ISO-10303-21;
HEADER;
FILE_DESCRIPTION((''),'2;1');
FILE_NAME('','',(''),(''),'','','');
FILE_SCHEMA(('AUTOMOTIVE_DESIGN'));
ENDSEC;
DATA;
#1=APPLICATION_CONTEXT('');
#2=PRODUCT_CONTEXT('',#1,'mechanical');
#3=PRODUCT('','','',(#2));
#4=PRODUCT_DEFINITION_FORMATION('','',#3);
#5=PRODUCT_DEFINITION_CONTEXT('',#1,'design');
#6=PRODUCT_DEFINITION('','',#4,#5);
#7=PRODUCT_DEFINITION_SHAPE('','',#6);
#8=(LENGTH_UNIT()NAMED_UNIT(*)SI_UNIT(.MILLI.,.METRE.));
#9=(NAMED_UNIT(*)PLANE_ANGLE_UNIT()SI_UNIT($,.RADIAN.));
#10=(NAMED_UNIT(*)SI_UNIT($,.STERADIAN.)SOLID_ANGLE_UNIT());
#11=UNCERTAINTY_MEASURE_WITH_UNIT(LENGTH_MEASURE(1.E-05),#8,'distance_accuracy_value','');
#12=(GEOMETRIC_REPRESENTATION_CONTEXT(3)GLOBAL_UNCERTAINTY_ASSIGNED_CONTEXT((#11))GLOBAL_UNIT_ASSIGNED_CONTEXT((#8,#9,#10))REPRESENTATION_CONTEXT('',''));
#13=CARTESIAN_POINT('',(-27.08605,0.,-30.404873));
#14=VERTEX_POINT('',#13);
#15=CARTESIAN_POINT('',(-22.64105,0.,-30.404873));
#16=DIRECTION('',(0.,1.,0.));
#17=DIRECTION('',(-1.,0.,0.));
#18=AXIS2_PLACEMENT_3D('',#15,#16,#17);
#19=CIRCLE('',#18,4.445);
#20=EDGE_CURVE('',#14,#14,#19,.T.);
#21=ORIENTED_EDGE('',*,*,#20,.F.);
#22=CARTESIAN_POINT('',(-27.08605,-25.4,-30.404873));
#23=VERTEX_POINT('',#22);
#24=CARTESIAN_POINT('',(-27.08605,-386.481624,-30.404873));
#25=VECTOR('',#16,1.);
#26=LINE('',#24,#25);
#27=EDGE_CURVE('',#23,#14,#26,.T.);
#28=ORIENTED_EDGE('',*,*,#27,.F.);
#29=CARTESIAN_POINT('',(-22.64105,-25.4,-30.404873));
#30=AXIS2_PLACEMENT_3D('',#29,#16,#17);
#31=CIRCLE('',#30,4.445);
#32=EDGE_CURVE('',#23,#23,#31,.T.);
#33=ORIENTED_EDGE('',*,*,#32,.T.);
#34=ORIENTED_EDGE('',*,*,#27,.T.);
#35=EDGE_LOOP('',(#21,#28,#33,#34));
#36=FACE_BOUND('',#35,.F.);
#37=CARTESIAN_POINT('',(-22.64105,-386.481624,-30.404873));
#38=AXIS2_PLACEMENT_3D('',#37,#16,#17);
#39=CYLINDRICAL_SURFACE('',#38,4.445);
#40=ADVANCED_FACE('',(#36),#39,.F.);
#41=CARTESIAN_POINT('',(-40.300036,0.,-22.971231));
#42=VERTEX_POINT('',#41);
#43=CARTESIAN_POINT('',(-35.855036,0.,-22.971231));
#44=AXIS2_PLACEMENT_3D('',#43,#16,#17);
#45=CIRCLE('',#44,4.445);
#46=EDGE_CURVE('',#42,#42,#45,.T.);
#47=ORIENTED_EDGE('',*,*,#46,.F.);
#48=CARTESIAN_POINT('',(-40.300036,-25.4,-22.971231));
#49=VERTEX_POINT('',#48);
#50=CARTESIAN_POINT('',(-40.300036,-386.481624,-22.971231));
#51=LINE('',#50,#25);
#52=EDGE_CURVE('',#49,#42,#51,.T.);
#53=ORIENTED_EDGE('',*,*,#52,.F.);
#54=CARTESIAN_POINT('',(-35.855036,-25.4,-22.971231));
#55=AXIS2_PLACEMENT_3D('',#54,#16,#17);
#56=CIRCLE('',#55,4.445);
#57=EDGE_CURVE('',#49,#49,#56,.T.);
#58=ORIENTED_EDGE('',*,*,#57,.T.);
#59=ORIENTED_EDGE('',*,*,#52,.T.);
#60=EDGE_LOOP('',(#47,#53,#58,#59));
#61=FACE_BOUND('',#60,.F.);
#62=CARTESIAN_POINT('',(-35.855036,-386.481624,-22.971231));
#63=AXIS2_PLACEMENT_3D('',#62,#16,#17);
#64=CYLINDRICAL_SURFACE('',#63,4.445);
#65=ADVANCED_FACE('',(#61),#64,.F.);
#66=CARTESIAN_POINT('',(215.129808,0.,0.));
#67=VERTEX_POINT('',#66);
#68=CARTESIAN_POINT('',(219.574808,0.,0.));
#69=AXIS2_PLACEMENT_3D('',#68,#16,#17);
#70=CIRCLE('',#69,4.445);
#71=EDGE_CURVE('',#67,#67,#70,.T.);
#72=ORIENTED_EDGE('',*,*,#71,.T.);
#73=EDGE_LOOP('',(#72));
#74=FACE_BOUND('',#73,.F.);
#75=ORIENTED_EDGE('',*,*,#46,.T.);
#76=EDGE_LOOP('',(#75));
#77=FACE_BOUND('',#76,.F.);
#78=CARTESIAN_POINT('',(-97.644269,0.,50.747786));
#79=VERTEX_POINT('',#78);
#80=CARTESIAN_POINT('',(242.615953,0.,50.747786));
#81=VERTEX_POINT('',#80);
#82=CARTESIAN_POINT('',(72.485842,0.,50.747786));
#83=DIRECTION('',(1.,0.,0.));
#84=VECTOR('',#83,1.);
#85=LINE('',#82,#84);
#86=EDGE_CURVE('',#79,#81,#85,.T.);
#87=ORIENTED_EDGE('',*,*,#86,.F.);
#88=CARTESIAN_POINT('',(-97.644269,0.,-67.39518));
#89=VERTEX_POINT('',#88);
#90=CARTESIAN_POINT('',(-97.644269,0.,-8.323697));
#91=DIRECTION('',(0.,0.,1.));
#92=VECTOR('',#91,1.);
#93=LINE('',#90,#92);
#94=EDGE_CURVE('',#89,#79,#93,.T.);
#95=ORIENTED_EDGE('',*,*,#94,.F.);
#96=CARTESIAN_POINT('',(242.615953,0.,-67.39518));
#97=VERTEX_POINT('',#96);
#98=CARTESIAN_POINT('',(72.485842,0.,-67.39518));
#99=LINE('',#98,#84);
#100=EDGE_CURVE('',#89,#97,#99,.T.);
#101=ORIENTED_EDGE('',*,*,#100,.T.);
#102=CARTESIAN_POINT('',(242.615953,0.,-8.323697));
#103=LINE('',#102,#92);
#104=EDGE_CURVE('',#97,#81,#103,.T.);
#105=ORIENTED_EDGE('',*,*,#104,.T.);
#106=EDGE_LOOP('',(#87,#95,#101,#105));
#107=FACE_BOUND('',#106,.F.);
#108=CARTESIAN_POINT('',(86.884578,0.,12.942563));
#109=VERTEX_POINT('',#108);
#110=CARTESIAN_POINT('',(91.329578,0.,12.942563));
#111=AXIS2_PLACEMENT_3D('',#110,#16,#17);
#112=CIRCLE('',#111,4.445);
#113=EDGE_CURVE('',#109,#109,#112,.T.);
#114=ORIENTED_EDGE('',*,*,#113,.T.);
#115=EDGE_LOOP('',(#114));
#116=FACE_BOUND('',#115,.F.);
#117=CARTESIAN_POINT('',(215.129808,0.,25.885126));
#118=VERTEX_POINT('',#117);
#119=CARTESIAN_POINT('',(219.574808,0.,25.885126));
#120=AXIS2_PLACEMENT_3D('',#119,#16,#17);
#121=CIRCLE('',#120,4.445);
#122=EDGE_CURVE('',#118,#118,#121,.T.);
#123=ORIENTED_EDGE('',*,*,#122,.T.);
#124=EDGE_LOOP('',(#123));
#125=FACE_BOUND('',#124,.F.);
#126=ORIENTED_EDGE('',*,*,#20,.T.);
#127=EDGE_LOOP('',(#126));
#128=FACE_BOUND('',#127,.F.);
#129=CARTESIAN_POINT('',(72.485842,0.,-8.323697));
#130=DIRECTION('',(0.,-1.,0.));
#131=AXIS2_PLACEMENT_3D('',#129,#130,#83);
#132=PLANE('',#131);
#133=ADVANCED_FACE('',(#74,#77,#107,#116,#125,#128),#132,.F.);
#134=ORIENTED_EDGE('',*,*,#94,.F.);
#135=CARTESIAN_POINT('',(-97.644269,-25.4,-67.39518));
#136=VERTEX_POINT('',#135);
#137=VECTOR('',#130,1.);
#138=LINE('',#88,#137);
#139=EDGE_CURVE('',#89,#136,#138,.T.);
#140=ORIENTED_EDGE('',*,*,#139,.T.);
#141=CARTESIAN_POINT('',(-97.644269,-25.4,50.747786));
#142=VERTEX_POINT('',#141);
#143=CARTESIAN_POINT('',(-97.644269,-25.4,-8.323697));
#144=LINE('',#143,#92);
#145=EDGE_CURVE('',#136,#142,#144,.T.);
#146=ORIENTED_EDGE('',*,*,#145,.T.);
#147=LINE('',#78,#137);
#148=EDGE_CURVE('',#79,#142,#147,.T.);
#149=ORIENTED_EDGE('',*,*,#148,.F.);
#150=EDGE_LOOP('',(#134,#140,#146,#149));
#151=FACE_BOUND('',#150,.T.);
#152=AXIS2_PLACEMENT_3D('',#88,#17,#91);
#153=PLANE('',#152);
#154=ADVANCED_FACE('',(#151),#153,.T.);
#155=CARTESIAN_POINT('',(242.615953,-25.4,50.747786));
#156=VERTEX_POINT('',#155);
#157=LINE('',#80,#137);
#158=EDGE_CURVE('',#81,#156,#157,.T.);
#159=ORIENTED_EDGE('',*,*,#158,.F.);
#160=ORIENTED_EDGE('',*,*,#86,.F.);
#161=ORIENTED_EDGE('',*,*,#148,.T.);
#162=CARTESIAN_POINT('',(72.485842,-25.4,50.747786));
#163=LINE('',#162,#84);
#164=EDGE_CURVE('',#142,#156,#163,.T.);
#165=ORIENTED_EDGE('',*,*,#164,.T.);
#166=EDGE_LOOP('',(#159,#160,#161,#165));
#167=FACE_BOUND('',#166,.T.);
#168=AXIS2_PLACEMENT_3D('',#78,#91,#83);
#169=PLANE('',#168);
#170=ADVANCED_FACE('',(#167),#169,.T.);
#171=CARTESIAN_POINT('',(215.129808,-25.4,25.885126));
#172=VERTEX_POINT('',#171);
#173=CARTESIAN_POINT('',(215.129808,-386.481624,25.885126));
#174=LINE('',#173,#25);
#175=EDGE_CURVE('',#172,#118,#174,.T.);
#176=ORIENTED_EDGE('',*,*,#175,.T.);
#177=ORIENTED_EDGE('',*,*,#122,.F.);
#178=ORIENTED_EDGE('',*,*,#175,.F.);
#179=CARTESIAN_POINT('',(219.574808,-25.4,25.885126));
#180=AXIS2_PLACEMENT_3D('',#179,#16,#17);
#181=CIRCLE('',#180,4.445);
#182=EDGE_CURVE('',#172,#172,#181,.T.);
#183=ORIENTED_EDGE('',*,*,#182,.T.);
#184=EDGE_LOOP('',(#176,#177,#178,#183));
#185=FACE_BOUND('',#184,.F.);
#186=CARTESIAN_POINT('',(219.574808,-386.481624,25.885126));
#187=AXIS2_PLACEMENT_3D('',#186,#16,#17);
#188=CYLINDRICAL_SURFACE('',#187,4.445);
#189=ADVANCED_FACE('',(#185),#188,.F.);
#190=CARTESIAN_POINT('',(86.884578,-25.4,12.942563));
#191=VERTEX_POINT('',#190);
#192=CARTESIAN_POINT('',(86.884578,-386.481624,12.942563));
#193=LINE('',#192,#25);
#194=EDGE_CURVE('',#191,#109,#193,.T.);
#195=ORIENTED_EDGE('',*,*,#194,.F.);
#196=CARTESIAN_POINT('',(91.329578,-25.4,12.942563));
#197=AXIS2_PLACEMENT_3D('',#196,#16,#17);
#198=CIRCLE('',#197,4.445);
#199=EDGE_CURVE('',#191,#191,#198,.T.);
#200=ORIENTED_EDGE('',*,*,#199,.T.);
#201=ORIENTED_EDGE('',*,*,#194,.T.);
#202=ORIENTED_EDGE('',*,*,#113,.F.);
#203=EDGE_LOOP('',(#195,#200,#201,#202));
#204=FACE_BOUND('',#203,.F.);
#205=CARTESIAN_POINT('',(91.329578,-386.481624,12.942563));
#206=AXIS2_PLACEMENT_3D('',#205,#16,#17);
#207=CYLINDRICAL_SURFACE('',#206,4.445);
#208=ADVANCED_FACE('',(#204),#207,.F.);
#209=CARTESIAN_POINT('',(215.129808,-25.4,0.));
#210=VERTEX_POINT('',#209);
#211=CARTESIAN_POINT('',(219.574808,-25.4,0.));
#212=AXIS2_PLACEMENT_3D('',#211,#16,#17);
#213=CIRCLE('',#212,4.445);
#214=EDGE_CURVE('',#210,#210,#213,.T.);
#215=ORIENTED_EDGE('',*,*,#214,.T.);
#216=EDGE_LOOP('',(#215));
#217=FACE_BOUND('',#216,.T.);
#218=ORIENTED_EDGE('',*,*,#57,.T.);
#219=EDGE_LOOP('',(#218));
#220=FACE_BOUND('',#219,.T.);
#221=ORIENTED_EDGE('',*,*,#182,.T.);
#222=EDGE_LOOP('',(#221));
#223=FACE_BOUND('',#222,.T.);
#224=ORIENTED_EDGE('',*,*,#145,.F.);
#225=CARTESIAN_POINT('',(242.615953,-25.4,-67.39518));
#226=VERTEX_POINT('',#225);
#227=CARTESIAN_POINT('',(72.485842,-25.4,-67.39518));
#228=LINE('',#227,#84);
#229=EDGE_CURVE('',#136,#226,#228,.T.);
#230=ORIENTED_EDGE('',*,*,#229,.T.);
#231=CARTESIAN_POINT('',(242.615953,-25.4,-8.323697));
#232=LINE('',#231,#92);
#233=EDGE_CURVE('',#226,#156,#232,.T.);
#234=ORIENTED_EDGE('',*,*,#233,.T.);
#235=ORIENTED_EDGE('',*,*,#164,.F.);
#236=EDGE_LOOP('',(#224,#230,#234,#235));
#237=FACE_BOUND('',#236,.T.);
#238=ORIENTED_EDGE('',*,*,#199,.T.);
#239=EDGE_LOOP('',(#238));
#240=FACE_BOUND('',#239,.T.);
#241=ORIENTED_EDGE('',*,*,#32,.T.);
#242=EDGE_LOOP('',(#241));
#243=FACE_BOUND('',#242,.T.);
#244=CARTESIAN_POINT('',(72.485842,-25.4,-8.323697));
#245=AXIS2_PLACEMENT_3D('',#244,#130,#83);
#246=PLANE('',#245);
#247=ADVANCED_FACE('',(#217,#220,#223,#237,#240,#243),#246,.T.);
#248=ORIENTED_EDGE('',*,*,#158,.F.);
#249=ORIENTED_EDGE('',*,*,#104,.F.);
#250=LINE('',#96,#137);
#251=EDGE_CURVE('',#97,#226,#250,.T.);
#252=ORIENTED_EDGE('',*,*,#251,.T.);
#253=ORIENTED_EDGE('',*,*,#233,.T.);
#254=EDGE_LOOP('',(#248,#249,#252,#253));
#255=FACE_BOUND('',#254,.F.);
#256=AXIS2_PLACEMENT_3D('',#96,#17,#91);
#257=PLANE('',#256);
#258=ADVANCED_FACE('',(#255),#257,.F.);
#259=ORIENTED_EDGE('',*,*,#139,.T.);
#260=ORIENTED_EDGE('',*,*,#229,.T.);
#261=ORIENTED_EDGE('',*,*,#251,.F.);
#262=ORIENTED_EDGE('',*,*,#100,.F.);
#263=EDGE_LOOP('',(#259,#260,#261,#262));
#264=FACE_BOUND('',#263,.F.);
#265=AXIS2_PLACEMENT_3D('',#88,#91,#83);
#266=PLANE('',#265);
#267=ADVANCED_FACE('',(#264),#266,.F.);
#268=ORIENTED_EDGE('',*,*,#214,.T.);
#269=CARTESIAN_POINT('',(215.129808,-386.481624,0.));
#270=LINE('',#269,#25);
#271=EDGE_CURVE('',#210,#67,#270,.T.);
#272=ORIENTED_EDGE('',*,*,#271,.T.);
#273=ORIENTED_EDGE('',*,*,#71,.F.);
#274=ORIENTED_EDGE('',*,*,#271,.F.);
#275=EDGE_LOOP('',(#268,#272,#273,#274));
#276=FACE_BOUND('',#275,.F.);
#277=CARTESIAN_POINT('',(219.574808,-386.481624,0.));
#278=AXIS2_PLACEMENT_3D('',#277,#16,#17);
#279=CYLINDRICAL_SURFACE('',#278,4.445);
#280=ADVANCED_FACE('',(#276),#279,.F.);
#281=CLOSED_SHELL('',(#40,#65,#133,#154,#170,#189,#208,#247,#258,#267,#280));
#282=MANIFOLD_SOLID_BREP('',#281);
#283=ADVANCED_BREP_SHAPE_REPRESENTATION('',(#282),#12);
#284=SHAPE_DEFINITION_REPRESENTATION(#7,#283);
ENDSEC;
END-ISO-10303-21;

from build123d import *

# Parameters (mm, degrees)
F0_W     = 340.260222
F0_H     = 118.142966
F1_DEPTH = 25.4
F3_D     = 8.89


with BuildPart() as f1:
    # F0 (on Front) → F1 (new body)
    with BuildSketch(Plane.XZ):
        with Locations((72.485842, -8.323697)):
            Rectangle(F0_W, F0_H)
    extrude(amount=F1_DEPTH)

    # F3 (through all)
    with Locations(Plane.XZ.offset(25.4)):
        with Locations((-35.855036, -22.971231), (-22.64105, -30.404873), (219.574808, 0), (219.574808, 25.885126), (91.329578, 12.942563)):
            Hole(F3_D / 2)


solid = f1.part
